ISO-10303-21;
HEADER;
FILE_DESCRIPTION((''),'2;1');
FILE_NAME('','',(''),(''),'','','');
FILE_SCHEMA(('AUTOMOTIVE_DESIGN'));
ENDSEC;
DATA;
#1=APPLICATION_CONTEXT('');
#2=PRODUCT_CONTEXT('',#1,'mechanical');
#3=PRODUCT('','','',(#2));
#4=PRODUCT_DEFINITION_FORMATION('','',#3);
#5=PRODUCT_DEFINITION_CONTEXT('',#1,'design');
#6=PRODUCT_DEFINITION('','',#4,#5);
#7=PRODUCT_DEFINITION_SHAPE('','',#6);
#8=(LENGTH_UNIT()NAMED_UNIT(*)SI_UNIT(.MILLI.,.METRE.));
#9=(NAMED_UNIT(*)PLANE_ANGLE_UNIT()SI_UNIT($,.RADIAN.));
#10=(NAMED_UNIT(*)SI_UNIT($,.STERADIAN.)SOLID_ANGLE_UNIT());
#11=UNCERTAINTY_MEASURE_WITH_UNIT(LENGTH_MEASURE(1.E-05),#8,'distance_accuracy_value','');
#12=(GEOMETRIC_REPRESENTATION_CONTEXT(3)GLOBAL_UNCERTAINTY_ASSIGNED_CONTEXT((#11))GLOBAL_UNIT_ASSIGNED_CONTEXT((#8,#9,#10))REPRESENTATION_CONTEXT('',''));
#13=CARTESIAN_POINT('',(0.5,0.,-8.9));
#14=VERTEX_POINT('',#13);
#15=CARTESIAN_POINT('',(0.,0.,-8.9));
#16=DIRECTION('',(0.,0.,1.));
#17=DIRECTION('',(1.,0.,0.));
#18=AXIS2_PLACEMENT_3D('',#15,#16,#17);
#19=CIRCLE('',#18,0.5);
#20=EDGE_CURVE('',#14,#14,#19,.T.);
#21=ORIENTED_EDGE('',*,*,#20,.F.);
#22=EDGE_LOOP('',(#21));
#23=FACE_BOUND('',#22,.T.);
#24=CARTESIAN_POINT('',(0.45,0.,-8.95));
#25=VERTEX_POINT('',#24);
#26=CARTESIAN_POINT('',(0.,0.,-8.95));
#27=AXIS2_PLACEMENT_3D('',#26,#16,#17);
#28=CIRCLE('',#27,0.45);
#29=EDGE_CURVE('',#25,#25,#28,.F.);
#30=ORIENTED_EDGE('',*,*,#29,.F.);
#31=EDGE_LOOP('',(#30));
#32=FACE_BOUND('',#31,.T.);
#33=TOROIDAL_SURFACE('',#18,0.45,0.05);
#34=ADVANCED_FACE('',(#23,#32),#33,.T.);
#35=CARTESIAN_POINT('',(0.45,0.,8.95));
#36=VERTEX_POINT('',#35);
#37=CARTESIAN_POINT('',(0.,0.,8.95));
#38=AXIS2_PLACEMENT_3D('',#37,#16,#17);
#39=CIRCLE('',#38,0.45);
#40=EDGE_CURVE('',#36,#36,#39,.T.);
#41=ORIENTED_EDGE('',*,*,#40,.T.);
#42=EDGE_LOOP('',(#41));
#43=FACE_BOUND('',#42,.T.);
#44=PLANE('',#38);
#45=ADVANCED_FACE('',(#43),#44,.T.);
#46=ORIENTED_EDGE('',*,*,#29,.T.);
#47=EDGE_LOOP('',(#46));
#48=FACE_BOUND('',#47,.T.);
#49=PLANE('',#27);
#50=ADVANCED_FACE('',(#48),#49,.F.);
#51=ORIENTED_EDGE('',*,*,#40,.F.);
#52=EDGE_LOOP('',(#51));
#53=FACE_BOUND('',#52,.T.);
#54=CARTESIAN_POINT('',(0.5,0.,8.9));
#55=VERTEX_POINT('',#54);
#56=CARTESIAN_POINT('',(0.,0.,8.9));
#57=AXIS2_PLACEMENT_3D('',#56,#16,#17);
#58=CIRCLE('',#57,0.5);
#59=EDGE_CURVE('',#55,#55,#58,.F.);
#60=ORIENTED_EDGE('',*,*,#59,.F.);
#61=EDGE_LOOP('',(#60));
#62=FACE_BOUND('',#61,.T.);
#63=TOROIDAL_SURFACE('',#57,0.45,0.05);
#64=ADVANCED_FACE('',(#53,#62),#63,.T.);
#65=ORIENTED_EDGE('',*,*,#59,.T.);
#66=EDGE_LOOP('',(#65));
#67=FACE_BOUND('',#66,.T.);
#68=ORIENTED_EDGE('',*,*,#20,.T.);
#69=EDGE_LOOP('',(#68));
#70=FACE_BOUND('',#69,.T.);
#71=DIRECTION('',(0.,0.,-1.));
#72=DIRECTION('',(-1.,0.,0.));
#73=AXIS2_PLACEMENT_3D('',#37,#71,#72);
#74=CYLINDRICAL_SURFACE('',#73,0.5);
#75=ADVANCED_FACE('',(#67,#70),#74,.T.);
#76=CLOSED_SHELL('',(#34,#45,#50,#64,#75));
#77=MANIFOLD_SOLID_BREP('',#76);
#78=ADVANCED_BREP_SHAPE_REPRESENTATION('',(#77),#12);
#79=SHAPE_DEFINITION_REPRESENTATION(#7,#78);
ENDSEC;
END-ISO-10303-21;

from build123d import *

# Parameters (mm, degrees)
SKETCH1_R           = 0.5
BOSS_EXTRUDE1_DEPTH = 8.95
FILLET1_R           = 0.05


with BuildPart() as part:
    # Sketch1 → Boss-Extrude1 (new body, symmetric)
    with BuildSketch(Plane.XY):
        Circle(SKETCH1_R)
    extrude(amount=BOSS_EXTRUDE1_DEPTH, both=True)

    # Fillet1
    fillet1_edges = [part.edges().sort_by_distance(p)[0] for p in [
        (-0.5, 0, -8.95),
        (-0.5, 0, 8.95),
    ]]
    fillet(fillet1_edges, radius=FILLET1_R)


solid = part.part
